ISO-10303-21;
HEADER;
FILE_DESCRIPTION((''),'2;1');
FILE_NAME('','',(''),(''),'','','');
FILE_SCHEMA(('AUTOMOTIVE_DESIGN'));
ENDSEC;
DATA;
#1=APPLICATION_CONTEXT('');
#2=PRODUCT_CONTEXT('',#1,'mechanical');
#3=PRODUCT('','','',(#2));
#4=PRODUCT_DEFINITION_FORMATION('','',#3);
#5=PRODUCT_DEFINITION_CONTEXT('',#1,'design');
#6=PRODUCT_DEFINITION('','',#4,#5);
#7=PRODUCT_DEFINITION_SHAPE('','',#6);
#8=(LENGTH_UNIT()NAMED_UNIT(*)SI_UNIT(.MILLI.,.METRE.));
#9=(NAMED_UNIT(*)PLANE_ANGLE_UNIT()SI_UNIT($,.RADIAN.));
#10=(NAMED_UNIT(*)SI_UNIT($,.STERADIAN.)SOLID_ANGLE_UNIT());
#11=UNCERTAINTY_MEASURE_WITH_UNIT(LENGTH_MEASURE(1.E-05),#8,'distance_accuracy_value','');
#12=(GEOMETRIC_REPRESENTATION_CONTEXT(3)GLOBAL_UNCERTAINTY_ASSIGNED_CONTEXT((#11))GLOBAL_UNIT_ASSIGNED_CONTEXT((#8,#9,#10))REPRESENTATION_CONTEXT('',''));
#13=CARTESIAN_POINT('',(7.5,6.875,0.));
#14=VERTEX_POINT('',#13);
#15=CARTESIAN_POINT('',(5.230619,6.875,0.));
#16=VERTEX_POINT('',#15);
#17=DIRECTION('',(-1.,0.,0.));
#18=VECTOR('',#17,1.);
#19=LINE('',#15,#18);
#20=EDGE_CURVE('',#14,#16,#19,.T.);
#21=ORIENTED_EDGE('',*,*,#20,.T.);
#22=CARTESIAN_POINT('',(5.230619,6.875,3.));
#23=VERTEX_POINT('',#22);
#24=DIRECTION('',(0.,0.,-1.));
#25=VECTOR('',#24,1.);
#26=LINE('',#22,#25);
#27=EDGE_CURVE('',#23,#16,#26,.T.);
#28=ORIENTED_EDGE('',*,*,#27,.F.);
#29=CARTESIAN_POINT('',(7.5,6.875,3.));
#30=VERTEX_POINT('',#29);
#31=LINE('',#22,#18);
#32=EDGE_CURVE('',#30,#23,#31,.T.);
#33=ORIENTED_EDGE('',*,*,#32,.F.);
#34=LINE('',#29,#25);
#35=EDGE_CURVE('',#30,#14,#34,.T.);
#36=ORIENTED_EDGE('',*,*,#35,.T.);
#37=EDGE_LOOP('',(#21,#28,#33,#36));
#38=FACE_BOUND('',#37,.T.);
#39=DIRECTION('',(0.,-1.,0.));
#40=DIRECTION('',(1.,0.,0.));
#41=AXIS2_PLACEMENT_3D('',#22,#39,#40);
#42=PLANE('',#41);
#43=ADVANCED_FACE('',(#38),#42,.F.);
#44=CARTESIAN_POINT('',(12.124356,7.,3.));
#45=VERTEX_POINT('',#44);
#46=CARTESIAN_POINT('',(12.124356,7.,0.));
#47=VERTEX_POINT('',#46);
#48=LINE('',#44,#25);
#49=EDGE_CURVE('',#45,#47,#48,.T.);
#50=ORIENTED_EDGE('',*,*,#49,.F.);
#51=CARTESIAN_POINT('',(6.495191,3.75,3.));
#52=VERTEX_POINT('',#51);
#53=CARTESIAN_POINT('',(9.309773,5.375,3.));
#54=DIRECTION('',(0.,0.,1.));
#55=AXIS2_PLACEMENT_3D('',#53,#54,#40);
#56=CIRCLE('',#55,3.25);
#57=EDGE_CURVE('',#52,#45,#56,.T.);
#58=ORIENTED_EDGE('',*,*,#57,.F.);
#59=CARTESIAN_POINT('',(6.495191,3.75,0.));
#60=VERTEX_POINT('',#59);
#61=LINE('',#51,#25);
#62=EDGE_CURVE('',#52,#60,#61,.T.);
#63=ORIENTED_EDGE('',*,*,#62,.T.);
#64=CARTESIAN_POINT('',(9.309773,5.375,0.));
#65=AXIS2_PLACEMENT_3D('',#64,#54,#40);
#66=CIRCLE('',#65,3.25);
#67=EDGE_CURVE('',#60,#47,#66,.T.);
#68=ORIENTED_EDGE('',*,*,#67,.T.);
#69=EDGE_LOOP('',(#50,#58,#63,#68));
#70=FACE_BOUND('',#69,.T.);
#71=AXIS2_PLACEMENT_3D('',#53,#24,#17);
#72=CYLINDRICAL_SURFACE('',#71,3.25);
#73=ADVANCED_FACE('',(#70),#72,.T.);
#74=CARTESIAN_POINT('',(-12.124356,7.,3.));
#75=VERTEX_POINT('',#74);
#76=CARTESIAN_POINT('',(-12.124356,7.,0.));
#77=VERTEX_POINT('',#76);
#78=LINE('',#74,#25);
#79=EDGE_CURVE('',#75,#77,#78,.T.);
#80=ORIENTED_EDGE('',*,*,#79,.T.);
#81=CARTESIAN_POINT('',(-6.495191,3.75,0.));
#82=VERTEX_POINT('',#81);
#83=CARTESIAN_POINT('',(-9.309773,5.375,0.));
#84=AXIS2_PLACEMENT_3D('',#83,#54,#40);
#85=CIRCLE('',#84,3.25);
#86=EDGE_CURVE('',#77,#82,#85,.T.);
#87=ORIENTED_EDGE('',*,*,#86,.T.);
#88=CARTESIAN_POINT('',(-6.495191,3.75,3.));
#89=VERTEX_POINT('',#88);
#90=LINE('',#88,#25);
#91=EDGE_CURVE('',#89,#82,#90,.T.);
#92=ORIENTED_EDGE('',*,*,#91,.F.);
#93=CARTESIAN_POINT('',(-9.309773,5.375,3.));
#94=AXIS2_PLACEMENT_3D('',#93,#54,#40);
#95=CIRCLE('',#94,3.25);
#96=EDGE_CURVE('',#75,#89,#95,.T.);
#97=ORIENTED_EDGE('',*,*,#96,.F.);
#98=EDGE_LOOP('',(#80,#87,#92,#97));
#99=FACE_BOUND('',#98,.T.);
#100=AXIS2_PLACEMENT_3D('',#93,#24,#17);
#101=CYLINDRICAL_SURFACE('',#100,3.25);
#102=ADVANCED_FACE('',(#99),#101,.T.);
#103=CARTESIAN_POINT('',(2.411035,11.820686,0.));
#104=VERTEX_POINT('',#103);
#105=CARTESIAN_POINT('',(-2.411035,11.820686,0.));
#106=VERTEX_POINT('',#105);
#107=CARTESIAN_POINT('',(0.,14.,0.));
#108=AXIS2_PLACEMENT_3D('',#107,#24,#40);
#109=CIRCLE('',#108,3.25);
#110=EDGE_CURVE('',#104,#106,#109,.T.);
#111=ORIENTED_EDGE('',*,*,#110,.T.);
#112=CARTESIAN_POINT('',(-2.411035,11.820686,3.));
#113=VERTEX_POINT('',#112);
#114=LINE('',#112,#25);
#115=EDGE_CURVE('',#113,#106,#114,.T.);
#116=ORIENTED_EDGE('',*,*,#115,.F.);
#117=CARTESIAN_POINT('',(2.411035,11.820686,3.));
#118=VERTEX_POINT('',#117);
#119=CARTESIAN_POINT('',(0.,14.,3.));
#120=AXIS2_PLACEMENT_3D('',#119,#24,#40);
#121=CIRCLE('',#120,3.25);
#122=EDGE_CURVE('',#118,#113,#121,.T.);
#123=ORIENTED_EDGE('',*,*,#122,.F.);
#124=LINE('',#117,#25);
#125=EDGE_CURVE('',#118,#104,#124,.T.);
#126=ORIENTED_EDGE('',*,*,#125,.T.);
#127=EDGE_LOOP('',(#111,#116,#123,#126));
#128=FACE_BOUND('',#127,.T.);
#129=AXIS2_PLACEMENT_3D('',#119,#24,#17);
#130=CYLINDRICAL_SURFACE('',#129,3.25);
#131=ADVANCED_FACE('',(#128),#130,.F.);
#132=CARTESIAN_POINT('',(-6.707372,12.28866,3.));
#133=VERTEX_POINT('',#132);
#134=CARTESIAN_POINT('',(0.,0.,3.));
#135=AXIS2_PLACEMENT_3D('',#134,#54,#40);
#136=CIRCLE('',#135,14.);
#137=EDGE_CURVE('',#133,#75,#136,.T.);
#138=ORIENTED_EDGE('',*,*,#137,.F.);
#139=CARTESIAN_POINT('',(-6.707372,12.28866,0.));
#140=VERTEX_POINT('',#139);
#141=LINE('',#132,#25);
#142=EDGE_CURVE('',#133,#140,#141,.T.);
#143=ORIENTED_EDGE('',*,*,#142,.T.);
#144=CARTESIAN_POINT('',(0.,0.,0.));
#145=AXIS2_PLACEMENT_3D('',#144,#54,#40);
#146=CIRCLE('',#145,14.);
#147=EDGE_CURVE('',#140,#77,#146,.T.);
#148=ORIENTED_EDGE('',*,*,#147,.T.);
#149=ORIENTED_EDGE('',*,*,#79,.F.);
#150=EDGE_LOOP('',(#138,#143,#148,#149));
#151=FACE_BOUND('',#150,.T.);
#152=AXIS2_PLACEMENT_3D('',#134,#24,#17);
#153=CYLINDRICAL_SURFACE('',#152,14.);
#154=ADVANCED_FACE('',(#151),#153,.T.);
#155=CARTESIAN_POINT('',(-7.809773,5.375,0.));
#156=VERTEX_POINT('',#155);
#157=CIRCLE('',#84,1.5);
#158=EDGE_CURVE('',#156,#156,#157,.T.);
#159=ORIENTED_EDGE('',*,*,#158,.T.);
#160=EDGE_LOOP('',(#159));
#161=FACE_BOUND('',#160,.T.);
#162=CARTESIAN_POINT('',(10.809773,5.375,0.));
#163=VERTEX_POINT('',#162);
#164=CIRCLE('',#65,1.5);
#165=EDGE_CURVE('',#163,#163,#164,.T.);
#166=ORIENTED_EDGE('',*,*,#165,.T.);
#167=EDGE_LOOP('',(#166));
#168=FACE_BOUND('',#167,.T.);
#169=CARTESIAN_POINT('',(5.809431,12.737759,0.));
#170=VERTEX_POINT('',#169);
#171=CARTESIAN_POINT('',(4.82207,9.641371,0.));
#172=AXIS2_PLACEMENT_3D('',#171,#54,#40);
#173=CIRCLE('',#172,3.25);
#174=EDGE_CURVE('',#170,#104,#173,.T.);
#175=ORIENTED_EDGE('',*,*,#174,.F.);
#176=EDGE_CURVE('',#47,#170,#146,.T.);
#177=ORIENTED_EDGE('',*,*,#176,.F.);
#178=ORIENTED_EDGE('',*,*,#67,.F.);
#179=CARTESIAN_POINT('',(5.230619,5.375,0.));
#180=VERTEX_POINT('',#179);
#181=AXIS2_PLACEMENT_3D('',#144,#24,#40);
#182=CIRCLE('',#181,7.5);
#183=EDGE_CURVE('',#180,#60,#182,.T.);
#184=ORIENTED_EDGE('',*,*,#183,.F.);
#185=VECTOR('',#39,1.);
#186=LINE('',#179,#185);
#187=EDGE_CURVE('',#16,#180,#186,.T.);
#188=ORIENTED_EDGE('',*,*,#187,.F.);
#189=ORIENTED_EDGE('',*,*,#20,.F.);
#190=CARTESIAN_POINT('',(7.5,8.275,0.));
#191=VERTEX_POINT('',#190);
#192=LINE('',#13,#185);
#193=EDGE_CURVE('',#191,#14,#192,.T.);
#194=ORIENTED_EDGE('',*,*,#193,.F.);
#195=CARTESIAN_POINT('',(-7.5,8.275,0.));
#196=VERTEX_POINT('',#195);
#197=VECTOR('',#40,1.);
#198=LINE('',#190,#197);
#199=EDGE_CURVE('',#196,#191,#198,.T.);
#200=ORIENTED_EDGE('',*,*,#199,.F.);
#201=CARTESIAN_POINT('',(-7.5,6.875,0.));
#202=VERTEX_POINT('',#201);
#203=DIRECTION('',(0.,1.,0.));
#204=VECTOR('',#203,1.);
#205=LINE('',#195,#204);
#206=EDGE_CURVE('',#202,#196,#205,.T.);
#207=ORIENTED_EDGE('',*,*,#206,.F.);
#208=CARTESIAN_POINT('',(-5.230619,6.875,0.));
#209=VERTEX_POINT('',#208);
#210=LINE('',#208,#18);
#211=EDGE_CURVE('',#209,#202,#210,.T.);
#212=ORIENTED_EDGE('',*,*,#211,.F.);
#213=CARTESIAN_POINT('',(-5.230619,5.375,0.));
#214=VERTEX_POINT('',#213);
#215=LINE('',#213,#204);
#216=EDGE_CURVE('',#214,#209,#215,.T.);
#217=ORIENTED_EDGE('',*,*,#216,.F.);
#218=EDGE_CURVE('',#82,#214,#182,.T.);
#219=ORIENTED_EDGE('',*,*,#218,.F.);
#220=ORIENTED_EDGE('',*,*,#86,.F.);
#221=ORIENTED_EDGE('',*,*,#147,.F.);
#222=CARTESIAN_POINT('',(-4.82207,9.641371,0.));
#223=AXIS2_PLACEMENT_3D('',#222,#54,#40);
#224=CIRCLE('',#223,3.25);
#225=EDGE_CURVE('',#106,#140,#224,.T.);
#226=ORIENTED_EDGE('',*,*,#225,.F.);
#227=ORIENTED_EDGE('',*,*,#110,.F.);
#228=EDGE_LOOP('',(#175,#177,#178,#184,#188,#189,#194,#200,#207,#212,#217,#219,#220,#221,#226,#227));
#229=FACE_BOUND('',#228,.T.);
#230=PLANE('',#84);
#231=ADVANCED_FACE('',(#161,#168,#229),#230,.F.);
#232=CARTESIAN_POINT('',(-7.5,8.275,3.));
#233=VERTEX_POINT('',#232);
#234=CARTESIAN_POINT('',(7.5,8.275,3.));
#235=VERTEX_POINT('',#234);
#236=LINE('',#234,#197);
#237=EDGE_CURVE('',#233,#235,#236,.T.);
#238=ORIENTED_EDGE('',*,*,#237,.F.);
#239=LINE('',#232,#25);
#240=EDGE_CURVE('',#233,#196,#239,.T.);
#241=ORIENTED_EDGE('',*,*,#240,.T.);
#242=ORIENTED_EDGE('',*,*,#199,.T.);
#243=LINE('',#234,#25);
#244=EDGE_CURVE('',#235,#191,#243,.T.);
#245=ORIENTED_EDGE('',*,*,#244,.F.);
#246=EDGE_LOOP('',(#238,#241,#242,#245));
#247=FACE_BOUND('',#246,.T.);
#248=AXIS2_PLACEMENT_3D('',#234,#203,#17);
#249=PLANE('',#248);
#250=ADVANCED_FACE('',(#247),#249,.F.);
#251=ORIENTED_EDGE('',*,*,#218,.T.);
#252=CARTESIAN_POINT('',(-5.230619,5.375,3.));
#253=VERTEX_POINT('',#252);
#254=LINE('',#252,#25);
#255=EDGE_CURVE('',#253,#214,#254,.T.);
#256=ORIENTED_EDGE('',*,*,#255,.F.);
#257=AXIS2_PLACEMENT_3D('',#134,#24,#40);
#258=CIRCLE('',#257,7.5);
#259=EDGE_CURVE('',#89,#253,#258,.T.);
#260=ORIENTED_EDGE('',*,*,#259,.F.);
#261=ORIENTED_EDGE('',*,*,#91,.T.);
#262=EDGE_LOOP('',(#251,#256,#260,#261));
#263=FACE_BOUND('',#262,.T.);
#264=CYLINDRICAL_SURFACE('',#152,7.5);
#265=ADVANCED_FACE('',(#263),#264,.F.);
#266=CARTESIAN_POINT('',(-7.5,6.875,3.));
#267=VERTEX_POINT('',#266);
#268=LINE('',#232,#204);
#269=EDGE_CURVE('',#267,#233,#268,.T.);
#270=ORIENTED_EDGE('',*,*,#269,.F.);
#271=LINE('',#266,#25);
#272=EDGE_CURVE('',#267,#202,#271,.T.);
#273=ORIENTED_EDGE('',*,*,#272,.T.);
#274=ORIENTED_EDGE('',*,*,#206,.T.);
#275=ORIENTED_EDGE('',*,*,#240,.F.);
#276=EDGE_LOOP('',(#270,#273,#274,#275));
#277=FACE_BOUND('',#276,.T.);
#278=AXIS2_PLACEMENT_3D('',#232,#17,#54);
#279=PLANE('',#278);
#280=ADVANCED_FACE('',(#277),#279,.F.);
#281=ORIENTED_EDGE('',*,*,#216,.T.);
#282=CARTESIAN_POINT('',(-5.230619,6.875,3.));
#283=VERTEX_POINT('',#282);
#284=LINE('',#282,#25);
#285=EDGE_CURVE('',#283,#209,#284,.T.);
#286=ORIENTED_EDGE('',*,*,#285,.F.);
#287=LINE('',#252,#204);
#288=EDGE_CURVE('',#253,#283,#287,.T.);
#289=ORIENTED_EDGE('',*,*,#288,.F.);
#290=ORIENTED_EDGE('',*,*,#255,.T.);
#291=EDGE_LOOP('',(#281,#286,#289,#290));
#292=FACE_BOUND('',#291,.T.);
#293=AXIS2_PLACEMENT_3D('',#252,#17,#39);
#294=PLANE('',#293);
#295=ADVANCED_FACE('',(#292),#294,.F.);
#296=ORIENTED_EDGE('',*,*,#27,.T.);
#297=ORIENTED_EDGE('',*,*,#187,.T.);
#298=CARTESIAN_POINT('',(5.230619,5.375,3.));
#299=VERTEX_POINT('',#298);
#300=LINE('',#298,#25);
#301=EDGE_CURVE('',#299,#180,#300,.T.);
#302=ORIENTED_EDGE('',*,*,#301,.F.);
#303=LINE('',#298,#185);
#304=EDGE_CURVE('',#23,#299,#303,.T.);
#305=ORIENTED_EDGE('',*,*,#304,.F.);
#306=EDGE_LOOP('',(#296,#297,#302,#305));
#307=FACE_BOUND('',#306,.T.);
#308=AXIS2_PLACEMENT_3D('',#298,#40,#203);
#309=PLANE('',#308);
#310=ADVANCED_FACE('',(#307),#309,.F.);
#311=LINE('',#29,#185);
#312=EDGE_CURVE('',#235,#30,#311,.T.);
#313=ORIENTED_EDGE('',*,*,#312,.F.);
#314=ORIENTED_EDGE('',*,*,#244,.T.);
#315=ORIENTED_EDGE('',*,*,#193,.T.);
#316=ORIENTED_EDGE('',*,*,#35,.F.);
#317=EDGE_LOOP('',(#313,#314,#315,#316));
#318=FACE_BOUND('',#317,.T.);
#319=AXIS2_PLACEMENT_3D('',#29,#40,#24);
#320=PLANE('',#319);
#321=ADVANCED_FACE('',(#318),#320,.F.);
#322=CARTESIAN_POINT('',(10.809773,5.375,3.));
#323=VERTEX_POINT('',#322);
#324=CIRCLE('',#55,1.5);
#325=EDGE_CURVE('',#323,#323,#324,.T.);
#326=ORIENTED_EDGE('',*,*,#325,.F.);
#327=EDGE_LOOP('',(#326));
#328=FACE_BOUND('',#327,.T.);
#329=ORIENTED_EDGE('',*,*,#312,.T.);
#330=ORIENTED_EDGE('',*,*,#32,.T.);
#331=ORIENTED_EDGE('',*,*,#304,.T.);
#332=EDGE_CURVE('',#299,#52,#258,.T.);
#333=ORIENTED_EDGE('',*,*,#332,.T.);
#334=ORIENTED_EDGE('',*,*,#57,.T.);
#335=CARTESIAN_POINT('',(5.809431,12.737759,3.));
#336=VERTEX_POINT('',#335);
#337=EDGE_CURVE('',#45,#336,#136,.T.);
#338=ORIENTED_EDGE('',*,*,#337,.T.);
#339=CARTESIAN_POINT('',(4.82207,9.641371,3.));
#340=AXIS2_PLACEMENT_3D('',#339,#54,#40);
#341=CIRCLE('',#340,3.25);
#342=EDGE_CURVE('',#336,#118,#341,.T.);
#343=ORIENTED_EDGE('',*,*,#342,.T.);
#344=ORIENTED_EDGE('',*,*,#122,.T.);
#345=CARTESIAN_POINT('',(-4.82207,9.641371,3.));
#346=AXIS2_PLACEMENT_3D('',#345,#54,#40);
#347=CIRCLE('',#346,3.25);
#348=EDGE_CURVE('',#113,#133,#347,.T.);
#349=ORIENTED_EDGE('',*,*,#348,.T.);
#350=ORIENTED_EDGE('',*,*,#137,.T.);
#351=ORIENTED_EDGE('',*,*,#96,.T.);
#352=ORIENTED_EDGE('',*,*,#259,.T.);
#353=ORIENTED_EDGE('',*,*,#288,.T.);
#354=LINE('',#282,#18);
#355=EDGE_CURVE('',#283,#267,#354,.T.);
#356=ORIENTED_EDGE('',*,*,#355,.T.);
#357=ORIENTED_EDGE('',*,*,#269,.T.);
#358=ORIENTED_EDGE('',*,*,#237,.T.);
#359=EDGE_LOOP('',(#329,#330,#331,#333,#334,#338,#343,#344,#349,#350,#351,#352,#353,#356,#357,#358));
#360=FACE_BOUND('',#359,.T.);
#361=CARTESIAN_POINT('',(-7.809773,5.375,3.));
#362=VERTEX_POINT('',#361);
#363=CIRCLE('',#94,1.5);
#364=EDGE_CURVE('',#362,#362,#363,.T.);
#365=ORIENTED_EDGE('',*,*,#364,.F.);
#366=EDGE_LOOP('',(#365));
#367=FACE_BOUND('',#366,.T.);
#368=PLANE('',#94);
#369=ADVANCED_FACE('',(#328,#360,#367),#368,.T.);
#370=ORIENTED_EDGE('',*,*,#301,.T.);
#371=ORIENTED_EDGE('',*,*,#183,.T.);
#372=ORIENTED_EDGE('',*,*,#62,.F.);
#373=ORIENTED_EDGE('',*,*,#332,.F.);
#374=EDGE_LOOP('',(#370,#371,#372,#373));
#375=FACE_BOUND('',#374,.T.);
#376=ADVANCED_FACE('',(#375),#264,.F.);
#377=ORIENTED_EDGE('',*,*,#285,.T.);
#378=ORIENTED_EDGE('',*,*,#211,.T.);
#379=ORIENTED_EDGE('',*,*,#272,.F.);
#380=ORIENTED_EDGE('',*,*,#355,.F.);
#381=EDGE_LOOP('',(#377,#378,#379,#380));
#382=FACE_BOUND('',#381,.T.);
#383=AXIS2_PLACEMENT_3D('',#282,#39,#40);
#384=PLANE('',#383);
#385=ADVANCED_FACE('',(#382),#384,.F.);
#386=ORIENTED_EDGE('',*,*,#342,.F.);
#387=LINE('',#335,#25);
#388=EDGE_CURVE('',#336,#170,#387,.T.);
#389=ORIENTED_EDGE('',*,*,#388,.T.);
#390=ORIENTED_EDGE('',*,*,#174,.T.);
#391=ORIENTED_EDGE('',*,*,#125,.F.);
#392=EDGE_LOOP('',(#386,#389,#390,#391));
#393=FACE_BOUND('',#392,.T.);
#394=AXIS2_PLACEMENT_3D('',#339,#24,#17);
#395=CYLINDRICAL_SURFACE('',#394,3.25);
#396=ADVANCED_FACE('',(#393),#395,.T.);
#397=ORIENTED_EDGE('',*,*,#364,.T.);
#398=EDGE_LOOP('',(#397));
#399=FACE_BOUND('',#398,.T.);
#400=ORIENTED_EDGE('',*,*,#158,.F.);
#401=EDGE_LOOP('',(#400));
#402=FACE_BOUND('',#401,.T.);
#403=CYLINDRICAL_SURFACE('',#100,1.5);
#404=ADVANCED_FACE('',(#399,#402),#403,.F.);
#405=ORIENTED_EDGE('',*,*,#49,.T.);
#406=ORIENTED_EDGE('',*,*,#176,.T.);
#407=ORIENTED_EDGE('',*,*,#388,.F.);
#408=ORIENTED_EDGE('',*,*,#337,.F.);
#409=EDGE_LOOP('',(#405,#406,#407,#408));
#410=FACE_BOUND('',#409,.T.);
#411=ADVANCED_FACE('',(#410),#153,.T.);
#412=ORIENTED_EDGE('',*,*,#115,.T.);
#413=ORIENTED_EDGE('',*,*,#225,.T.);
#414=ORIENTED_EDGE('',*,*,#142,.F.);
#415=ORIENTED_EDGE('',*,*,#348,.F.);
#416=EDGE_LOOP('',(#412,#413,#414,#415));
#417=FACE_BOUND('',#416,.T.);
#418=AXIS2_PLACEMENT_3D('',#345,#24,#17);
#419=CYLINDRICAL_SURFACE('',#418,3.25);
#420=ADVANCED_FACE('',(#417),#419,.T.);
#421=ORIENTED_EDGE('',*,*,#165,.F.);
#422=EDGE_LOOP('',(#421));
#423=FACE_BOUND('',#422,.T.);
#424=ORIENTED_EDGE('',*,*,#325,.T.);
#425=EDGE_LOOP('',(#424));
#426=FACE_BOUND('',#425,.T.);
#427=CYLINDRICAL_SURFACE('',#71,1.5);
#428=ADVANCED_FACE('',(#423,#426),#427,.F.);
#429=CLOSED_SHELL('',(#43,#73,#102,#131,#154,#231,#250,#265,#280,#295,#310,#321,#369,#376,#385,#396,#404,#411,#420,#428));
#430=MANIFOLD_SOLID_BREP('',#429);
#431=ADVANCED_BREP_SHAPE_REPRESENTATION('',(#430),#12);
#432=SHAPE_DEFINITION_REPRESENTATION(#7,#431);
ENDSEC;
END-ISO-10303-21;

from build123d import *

# Parameters (mm, degrees)
ESQUISSE1_R        = 1.5
BOSS_EXTRU_2_DEPTH = 3


with BuildPart() as part:
    # Esquisse1 → Boss.-Extru.2 (new body)
    with BuildSketch(Plane.XY):
        with BuildLine():
            Line((-5.230618988, 6.875), (-7.5, 6.875))
            Line((-7.5, 6.875), (-7.5, 8.275))
            Line((-7.5, 8.275), (7.5, 8.275))
            Line((7.5, 8.275), (7.5, 6.875))
            Line((7.5, 6.875), (5.230618988, 6.875))
            Line((5.230618988, 6.875), (5.230618988, 5.375))
            ThreePointArc((5.230618988, 5.375), (5.918936429, 4.606103727), (6.495190528, 3.75))
            ThreePointArc((6.495190528, 3.75), (10.934773091, 2.560417438), (12.124355653, 7))
            ThreePointArc((12.124355653, 7), (9.414650572, 10.36167721), (5.80943088, 12.737759334))
            ThreePointArc((5.80943088, 12.737759334), (3.975330286, 12.779130538), (2.411034891, 11.820685714))
            ThreePointArc((2.411034891, 11.820685714), (0, 10.75), (-2.411034891, 11.820685714))
            ThreePointArc((-2.411034891, 11.820685714), (-4.47014813, 12.872261577), (-6.707371512, 12.288660114))
            ThreePointArc((-6.707371512, 12.288660114), (-9.780131311, 10.017436376), (-12.124355653, 7))
            ThreePointArc((-12.124355653, 7), (-10.934773091, 2.560417438), (-6.495190528, 3.75))
            ThreePointArc((-6.495190528, 3.75), (-5.918936429, 4.606103727), (-5.230618988, 5.375))
            Line((-5.230618988, 5.375), (-5.230618988, 6.875))
        make_face()
        with Locations((9.309773091, 5.375)):
            Circle(ESQUISSE1_R, mode=Mode.SUBTRACT)
        with Locations((-9.309773091, 5.375)):
            Circle(ESQUISSE1_R, mode=Mode.SUBTRACT)
    extrude(amount=BOSS_EXTRU_2_DEPTH)


solid = part.part
